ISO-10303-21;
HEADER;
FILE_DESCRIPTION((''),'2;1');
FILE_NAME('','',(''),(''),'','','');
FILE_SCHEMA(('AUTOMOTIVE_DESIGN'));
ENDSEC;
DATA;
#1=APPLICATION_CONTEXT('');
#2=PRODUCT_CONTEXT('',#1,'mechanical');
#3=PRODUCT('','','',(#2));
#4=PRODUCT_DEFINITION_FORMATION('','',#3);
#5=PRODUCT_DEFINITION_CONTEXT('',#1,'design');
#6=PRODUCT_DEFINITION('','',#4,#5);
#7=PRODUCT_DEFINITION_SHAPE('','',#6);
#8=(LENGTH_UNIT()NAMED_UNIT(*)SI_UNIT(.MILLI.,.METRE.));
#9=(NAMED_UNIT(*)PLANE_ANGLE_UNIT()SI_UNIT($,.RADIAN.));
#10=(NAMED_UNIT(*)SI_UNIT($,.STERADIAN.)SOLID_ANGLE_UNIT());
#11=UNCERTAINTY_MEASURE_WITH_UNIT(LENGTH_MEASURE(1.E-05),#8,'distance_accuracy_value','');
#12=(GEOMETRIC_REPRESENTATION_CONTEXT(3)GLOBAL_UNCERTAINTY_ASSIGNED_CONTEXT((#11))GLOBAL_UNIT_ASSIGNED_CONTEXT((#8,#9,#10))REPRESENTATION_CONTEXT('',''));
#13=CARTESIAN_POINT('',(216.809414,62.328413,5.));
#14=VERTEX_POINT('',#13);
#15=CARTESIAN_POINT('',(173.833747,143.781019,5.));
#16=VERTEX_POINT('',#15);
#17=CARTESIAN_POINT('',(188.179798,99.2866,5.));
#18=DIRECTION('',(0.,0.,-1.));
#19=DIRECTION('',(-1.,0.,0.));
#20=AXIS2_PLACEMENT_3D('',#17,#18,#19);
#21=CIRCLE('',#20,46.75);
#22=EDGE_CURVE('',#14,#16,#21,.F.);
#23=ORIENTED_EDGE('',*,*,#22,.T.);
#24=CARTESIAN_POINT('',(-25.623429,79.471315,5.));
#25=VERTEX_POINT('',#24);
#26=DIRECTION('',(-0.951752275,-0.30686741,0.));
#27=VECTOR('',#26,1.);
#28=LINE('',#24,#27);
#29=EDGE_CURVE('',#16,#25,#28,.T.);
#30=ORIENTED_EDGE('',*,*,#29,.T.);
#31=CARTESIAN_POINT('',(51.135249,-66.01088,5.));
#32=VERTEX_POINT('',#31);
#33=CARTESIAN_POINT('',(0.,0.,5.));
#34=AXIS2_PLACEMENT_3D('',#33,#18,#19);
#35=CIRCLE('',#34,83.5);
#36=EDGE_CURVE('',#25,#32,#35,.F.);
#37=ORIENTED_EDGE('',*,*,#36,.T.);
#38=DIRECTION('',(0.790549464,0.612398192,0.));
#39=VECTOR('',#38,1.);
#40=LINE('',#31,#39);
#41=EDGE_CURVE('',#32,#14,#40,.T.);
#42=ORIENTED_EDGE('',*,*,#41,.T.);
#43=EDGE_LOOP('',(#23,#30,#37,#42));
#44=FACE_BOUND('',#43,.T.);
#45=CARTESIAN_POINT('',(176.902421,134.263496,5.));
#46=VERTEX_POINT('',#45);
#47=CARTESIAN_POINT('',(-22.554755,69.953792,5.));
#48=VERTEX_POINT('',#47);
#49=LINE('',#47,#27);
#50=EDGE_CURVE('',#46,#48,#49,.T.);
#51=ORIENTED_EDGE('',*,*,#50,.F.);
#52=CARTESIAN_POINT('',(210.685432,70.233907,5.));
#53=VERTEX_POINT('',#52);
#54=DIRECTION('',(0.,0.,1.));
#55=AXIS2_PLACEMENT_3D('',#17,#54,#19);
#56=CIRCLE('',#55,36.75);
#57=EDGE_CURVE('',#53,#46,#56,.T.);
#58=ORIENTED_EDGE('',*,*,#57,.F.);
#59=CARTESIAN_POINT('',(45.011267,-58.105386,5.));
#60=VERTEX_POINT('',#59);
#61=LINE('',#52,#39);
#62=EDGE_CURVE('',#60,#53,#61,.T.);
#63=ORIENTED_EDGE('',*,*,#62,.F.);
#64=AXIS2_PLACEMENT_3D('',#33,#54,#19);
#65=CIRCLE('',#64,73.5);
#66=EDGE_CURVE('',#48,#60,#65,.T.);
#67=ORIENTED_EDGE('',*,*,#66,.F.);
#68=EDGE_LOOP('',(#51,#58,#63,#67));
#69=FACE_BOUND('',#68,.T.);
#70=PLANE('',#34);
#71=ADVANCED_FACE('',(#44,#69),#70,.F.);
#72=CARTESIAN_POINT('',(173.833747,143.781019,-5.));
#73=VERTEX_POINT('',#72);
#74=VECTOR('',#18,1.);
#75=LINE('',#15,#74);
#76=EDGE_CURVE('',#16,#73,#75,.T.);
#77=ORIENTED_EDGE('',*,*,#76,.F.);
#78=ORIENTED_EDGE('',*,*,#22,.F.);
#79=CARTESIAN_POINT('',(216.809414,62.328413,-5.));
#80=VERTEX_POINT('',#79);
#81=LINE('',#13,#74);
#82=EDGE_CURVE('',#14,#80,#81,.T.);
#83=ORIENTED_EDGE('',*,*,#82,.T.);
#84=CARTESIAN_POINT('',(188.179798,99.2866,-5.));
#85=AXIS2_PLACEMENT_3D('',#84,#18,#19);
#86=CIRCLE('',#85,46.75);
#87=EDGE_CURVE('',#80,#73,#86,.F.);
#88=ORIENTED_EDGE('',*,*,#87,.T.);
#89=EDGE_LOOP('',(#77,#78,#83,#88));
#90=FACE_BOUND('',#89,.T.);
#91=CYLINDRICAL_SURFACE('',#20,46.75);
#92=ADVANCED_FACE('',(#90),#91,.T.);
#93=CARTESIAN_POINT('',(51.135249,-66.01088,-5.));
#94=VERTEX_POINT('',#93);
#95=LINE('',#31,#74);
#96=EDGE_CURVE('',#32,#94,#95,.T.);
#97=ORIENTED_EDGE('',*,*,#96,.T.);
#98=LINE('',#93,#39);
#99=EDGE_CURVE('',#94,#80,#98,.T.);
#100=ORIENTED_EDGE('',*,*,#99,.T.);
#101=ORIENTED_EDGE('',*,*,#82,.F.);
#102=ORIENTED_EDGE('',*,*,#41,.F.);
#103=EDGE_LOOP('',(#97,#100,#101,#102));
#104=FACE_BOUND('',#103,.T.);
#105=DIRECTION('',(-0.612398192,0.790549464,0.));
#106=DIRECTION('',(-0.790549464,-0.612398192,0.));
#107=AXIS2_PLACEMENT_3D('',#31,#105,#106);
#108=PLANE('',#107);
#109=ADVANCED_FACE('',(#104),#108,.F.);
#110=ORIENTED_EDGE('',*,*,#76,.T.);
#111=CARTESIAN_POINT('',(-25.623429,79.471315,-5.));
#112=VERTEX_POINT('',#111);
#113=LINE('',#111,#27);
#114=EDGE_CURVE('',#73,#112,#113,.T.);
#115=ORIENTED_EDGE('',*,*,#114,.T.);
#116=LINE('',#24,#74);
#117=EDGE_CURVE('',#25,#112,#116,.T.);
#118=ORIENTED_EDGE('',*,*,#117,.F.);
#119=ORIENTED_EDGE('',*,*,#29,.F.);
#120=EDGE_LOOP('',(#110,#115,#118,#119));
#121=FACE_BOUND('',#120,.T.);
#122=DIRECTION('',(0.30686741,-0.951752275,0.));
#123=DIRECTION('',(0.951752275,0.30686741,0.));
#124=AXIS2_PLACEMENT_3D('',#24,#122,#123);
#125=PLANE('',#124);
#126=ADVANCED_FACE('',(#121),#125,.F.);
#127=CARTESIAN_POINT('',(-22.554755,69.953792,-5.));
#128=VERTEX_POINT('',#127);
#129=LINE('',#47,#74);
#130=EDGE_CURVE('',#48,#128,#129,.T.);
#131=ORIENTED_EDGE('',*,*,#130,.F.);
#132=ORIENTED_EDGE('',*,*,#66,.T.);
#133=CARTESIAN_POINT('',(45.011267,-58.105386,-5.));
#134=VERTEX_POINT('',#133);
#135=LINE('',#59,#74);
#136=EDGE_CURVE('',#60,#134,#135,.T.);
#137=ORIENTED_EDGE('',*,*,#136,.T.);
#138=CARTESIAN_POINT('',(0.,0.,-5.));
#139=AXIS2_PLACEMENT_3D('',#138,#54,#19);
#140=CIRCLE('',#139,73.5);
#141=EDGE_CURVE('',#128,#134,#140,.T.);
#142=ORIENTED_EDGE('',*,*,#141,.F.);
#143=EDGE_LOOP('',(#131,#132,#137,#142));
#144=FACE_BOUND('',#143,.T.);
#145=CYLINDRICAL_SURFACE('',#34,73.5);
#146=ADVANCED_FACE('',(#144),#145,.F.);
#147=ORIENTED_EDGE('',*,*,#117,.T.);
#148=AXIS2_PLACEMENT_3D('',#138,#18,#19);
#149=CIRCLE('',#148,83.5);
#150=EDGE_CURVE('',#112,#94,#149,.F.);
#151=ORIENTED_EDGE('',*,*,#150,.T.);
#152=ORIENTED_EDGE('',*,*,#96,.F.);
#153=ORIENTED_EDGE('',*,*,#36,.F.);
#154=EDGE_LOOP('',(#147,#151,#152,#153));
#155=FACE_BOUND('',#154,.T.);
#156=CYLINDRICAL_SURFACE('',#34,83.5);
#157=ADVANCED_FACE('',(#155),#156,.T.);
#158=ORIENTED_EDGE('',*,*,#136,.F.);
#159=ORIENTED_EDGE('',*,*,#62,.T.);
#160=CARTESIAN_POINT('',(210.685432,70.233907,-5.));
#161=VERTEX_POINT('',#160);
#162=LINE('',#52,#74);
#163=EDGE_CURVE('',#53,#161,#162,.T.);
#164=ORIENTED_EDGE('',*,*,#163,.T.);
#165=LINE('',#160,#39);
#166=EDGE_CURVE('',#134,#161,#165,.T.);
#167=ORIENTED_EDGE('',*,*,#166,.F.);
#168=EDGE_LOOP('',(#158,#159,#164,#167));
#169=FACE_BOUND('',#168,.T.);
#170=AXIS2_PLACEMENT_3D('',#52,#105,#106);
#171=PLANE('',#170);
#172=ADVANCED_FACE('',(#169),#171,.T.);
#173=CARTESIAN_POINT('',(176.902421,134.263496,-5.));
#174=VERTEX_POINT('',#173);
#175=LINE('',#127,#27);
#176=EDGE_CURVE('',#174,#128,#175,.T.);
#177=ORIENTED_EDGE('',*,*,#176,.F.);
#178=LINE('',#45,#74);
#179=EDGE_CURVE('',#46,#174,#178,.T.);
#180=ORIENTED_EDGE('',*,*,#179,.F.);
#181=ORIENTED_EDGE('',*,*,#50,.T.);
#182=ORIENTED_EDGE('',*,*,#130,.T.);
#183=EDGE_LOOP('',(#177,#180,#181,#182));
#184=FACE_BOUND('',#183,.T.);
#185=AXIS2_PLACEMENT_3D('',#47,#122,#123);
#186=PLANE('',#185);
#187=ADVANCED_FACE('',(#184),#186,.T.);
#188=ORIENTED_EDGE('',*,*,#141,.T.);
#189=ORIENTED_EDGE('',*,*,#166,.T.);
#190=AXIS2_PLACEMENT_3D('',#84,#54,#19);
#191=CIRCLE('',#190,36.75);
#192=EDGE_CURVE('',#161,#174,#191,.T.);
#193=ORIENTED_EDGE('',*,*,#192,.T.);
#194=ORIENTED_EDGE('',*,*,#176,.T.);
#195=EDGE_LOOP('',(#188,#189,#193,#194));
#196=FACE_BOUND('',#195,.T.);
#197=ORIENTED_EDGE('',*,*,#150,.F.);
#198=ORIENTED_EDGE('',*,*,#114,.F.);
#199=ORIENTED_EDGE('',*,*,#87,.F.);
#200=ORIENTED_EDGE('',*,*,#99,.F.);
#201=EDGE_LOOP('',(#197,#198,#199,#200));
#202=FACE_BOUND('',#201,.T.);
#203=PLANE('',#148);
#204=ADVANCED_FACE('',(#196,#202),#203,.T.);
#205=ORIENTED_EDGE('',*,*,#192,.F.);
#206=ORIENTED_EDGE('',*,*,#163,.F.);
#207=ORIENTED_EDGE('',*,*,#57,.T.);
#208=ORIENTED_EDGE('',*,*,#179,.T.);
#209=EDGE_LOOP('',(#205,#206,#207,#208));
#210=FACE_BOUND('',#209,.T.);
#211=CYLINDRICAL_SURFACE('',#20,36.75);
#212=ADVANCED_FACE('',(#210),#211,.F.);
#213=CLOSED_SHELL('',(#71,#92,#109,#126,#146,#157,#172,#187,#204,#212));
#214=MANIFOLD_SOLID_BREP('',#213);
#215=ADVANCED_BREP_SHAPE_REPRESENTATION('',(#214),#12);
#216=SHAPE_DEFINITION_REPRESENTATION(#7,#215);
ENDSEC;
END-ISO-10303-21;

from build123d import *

# Parameters (mm, degrees)
EXTRUIR_L_MINA1_DEPTH = 5


with BuildPart() as part:
    # Croquis2 → Extruir-Lámina1 (new, symmetric)
    with BuildSketch(Plane.XY):
        with BuildLine():
            Line((216.809413948, 62.328412579), (51.135249039, -66.010880207))
            ThreePointArc((51.135249039, -66.010880207), (-73.851069865, -38.964977606), (-25.623428751, 79.471314945))
            Line((-25.623428751, 79.471314945), (173.833747041, 143.781018846))
            ThreePointArc((173.833747041, 143.781018846), (229.527553152, 121.102320995), (216.809413948, 62.328412579))
        make_face()
        with BuildLine():
            Line((210.685432027, 70.233907214), (45.011267118, -58.105385571))
            ThreePointArc((45.011267118, -58.105385571), (-65.00663036, -34.298513222), (-22.554754649, 69.953792197))
            Line((-22.554754649, 69.953792197), (176.902421143, 134.263496098))
            ThreePointArc((176.902421143, 134.263496098), (220.683113648, 116.435856611), (210.685432027, 70.233907214))
        make_face(mode=Mode.SUBTRACT)
    extrude(amount=EXTRUIR_L_MINA1_DEPTH, both=True)


solid = part.part
